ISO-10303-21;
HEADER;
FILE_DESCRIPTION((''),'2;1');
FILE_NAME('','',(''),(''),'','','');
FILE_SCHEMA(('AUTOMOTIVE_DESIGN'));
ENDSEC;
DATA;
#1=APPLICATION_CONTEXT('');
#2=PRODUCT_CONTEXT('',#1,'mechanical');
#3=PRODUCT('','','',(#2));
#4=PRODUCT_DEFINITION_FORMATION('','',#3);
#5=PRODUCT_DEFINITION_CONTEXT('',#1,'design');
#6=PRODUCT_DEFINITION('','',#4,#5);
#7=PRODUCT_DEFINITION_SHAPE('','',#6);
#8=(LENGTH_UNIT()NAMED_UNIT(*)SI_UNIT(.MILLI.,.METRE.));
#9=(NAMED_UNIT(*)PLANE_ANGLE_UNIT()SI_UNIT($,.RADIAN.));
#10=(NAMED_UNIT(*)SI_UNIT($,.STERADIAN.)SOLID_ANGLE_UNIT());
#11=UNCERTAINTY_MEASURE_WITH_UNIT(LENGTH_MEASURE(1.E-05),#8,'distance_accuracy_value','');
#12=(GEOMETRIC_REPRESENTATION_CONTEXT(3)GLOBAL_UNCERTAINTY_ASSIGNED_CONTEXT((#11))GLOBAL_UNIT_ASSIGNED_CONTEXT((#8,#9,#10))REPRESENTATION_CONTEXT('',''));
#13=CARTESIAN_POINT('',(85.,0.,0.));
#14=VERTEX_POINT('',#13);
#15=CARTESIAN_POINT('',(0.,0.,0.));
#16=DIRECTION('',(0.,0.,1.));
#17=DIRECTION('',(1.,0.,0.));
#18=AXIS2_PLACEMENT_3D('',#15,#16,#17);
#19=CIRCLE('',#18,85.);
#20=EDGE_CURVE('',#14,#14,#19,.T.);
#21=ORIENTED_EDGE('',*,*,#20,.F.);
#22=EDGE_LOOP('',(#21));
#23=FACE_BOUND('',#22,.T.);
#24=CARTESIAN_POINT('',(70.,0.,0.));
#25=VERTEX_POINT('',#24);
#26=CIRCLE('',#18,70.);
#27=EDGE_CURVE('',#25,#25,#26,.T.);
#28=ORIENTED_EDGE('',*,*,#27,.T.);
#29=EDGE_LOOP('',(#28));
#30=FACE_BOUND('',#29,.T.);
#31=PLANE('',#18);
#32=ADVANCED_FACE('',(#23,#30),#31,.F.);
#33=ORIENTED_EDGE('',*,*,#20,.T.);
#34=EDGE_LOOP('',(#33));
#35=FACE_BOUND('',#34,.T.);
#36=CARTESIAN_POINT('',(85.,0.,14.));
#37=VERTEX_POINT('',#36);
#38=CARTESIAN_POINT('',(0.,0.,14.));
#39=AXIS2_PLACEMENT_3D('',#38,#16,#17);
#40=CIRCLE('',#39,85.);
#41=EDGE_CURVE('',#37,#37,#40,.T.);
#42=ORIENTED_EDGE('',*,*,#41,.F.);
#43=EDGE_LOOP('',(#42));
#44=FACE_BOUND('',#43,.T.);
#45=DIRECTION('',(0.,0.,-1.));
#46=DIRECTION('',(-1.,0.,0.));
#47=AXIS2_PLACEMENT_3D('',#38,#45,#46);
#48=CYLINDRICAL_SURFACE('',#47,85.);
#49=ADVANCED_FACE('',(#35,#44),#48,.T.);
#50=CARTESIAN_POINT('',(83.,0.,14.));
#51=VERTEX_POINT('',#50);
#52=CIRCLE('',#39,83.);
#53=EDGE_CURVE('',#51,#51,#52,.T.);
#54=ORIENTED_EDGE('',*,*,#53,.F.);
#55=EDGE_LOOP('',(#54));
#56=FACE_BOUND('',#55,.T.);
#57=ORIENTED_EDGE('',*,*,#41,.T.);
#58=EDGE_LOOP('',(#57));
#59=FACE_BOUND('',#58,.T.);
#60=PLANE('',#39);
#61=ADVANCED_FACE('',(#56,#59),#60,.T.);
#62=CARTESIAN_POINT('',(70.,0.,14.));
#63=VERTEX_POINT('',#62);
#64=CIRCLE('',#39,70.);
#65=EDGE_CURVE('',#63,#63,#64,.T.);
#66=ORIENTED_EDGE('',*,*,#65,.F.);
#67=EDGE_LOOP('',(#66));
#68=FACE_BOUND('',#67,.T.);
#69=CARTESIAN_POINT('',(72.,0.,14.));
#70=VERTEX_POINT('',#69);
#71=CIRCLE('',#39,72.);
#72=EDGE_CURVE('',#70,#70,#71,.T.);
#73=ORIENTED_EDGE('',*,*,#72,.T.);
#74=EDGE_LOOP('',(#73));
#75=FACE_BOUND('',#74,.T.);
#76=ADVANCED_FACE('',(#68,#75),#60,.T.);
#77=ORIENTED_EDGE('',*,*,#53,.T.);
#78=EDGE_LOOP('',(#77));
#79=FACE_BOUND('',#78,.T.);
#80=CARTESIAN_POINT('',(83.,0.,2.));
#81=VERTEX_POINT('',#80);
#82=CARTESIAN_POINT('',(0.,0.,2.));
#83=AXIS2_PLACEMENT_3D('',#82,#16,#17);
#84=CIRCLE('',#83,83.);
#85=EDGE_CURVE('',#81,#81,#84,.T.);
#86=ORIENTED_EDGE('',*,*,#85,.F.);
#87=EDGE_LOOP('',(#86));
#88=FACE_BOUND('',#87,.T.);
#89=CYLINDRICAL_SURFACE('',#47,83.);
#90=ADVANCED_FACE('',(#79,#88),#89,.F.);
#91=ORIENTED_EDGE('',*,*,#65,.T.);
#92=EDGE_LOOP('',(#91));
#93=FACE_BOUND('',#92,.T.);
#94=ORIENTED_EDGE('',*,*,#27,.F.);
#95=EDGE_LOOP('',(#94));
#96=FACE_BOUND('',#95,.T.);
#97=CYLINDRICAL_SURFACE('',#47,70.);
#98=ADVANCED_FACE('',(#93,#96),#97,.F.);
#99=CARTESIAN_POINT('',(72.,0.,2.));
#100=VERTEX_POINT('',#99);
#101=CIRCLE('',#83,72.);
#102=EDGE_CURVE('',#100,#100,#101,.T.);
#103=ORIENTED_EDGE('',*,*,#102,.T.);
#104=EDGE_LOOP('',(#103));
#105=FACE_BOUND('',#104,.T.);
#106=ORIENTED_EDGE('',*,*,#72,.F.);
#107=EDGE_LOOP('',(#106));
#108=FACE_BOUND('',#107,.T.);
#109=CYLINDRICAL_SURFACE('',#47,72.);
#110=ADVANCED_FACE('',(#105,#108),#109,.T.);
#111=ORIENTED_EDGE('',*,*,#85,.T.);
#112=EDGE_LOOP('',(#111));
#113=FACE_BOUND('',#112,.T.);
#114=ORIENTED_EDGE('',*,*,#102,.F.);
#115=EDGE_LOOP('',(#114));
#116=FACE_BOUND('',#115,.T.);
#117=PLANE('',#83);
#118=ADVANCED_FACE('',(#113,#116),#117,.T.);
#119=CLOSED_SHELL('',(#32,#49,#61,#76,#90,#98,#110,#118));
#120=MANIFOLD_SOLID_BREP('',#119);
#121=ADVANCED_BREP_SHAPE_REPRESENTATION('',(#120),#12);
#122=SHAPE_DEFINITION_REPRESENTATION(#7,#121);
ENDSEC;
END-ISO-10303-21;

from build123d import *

# Parameters (mm, degrees)
SKETCH_1_R      = 85
SKETCH_1_R_2    = 70
EXTRUDE_1_DEPTH = 14
SHELL_1_T       = -2


with BuildPart() as part:
    # 草图1 → 凸台-拉伸1 (new body)
    with BuildSketch(Plane.XY):
        Circle(SKETCH_1_R)
        Circle(SKETCH_1_R_2, mode=Mode.SUBTRACT)
    extrude(amount=EXTRUDE_1_DEPTH)

    # 抽壳1
    shell_1_openings = [part.faces().sort_by_distance(p)[0] for p in [
        (-82.595836944, 0, 14),
    ]]
    offset(amount=SHELL_1_T, openings=shell_1_openings, kind=Kind.INTERSECTION)


solid = part.part
